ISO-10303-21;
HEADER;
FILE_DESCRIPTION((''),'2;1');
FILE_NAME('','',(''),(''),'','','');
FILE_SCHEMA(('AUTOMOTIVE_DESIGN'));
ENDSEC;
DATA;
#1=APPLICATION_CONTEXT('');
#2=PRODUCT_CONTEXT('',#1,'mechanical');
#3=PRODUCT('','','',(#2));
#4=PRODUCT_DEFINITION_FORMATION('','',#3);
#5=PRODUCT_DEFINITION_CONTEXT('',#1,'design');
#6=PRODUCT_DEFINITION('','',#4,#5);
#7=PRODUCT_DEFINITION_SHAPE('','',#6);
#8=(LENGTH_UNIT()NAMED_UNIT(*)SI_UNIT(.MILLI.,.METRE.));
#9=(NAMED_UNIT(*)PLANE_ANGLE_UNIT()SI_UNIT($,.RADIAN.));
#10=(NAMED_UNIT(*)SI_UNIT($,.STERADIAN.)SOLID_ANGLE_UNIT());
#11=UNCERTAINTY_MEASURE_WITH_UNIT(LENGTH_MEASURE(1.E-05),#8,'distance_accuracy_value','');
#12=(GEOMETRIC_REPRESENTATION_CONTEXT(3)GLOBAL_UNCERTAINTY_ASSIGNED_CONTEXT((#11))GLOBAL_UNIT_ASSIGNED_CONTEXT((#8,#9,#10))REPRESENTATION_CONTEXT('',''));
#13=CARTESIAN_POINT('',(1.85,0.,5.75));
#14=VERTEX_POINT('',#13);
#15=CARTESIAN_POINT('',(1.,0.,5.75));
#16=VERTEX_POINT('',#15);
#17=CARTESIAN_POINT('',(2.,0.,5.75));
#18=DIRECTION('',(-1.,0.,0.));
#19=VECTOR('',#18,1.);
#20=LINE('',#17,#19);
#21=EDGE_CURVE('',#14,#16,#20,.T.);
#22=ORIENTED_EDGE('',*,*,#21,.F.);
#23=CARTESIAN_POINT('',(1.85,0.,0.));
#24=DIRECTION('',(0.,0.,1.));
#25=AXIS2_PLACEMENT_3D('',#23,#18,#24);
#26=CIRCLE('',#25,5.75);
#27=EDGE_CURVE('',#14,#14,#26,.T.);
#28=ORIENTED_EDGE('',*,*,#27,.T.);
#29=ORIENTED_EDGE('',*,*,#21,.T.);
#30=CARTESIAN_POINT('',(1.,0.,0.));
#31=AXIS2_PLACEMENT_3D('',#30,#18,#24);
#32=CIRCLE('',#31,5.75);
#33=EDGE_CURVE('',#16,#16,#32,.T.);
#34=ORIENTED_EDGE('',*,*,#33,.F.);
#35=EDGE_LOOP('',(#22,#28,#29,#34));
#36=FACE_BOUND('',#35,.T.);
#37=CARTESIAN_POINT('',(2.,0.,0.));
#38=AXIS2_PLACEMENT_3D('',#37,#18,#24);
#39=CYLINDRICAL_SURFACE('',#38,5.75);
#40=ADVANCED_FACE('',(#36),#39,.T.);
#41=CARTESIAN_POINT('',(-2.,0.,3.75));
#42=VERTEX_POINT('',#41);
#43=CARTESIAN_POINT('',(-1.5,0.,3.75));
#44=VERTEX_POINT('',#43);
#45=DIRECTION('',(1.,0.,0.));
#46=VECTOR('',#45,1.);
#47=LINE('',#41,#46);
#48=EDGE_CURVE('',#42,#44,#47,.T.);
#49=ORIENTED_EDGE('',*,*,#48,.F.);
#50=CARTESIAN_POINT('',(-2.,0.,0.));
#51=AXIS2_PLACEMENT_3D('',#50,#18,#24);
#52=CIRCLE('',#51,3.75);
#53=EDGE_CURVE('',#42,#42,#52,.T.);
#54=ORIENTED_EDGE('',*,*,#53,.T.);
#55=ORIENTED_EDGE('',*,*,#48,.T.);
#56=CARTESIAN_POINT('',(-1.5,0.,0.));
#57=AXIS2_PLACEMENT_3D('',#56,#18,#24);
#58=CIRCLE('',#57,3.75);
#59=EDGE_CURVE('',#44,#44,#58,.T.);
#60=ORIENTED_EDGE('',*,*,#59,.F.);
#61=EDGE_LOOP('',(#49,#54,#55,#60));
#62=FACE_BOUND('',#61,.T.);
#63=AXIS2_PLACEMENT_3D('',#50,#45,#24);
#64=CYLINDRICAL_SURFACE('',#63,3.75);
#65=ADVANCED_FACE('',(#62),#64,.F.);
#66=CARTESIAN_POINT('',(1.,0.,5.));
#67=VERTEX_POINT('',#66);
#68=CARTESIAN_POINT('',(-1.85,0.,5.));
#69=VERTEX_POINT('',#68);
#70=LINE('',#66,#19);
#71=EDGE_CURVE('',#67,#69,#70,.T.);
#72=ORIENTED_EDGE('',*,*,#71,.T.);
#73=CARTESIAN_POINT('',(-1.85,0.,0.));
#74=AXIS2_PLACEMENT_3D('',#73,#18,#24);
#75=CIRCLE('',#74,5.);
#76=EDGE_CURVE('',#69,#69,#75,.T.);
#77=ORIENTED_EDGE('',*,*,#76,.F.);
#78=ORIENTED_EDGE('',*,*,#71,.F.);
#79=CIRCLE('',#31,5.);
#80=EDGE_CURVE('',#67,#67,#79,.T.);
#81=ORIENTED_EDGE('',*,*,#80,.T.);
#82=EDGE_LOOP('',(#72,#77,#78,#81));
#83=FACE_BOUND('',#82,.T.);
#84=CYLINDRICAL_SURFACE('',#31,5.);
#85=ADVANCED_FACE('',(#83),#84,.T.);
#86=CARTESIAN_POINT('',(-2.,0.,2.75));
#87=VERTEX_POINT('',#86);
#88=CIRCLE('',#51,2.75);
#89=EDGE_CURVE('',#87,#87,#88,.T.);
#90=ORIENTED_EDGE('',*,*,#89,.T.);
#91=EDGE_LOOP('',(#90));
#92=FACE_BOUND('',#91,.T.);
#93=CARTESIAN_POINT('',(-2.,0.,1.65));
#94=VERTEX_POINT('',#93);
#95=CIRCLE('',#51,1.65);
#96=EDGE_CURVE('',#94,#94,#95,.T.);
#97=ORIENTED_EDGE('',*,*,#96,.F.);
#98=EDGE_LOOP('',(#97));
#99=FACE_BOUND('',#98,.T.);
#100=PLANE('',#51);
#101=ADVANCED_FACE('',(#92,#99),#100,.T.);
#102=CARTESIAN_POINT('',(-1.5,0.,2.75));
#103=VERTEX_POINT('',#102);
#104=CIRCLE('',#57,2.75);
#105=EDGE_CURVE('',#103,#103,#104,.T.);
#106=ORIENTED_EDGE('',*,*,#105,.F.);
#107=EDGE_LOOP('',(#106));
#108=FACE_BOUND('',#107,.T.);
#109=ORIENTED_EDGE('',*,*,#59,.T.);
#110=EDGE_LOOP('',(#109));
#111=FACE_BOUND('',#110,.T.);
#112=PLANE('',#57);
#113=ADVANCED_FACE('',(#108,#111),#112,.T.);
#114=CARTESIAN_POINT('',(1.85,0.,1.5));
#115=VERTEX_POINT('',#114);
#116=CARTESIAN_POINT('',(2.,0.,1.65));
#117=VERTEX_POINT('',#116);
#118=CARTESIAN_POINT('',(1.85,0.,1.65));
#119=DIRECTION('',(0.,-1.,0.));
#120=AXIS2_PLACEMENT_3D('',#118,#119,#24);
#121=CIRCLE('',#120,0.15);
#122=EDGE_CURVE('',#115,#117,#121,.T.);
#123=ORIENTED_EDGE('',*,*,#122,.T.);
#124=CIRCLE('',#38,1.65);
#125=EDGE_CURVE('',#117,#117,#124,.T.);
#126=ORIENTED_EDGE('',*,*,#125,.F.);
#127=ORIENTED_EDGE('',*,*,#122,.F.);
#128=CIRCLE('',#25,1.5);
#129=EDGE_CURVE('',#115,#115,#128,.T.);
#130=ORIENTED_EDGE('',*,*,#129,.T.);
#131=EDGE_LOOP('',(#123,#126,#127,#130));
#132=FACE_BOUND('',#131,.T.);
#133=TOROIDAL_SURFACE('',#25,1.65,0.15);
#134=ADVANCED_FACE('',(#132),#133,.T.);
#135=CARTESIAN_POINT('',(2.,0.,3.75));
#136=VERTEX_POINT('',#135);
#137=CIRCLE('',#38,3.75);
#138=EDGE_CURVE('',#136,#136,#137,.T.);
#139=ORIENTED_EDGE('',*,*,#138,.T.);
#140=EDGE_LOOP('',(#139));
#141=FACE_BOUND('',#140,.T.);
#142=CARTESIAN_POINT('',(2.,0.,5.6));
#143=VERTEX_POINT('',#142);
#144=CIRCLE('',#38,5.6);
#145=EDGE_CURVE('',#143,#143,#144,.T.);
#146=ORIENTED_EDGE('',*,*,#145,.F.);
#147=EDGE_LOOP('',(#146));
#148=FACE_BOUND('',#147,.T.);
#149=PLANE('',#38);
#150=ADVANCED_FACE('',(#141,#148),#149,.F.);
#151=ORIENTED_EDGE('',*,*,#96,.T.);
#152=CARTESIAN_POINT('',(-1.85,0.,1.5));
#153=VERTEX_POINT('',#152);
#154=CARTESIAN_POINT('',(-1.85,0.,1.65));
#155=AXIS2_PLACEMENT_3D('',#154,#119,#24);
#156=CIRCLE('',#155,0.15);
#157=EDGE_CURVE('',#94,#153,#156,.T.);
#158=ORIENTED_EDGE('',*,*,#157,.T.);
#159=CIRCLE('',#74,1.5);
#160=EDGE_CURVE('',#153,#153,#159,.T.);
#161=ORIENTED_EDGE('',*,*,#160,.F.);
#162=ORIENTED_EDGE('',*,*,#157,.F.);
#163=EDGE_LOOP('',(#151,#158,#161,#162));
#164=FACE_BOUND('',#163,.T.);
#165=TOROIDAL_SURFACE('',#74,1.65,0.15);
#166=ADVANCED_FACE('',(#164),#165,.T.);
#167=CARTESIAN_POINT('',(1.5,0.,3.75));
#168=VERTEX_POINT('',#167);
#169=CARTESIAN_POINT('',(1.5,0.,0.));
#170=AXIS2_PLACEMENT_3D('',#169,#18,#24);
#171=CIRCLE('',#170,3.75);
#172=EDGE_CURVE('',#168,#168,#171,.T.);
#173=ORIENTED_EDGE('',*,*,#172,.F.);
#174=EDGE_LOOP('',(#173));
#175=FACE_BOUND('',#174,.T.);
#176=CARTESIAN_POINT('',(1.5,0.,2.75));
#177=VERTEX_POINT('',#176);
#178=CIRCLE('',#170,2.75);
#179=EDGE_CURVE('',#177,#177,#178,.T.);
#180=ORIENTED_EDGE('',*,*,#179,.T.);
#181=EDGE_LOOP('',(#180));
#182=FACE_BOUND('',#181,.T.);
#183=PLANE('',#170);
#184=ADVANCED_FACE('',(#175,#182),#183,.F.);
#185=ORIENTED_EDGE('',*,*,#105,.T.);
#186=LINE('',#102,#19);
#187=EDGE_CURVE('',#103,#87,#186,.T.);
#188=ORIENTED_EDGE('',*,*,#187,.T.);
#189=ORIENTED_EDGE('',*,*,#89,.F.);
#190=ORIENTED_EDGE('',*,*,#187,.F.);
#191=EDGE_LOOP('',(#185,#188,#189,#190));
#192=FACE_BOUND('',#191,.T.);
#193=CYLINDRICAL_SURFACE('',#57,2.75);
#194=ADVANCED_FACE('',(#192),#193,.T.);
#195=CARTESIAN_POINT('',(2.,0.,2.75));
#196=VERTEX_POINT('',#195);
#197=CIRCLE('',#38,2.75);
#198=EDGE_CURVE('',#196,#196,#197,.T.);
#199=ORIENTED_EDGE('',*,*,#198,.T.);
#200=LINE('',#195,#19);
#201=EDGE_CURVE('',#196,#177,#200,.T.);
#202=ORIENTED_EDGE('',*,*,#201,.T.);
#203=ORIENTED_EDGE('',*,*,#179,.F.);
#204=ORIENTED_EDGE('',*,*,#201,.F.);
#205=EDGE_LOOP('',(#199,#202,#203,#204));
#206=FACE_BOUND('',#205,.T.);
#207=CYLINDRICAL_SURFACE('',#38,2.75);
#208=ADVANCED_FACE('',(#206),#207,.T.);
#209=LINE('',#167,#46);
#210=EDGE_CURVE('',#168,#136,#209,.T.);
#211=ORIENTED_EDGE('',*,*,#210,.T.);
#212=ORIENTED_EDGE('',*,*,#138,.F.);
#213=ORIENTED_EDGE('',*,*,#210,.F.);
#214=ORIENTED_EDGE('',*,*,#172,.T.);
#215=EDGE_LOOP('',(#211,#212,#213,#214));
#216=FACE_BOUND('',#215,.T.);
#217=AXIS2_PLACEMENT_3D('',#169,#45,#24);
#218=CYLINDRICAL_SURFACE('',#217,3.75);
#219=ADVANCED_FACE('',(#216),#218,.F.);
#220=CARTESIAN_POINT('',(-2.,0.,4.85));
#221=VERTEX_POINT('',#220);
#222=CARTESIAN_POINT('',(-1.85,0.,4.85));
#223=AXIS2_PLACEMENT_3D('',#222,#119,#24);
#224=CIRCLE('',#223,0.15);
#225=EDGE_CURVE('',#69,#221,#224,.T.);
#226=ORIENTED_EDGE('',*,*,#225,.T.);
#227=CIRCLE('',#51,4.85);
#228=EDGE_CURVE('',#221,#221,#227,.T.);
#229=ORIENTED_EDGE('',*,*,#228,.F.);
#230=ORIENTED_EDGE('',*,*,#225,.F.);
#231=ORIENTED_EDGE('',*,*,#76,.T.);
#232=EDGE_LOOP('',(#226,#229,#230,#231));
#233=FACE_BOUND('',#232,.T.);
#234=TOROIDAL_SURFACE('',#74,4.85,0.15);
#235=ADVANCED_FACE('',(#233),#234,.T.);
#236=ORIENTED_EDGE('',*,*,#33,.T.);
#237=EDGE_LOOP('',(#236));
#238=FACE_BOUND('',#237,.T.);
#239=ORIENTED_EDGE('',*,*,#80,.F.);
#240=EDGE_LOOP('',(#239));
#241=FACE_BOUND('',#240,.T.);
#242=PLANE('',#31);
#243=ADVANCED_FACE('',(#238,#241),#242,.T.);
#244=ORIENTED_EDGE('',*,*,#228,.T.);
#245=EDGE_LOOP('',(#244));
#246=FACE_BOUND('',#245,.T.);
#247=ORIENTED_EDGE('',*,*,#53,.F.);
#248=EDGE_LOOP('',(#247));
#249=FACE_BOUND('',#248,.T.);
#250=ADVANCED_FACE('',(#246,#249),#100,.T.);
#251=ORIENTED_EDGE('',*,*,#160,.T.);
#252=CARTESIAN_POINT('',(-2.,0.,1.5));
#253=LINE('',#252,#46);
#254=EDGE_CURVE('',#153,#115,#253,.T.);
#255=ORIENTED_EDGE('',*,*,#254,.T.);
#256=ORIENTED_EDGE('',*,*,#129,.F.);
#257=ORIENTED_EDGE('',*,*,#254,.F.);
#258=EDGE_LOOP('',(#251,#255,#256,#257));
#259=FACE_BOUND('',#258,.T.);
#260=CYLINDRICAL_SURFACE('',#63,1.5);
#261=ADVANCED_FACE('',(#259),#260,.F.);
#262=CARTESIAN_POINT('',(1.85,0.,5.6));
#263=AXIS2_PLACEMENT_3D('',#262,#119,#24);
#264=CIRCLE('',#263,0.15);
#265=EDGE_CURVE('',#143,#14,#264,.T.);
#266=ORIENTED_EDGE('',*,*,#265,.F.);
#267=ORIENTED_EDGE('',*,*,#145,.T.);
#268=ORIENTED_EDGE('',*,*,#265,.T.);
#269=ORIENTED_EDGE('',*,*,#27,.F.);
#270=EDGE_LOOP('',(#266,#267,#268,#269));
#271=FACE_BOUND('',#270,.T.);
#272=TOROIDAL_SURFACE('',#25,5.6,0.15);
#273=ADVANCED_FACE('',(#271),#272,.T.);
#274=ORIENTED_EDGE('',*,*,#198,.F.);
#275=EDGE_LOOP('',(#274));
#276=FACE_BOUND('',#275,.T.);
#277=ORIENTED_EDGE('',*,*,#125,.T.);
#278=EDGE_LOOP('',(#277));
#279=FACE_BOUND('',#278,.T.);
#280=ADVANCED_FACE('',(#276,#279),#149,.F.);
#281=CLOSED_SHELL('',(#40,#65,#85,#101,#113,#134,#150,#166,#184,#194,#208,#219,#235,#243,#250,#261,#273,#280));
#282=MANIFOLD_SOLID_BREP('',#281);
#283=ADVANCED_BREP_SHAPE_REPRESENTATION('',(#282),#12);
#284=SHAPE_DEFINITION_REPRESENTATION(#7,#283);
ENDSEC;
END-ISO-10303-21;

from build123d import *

# Parameters (mm, degrees)
F2_R = 0.15


with BuildPart() as f1:
    # F0 (on Front) → F1 (revolve)
    with BuildSketch(Plane.XZ):
        Polygon((-2, 2.75), (-2, 1.5), (2, 1.5), (2, 2.75), (1.5, 2.75), (1.5, 3.75), (2, 3.75), (2, 5.75), (1, 5.75), (1, 5), (-2, 5), (-2, 3.75), (-1.5, 3.75), (-1.5, 2.75), align=None)
    revolve(axis=Axis((-2.919078, 0, 0), (-1, 0, 0)))

    # F2
    f2_edges = [f1.edges().sort_by_distance(p)[0] for p in [
        (-2, 0, -5),
        (2, 0, -5.75),
        (-2, 0, -1.5),
        (2, 0, -1.5),
    ]]
    fillet(f2_edges, radius=F2_R)


solid = f1.part
